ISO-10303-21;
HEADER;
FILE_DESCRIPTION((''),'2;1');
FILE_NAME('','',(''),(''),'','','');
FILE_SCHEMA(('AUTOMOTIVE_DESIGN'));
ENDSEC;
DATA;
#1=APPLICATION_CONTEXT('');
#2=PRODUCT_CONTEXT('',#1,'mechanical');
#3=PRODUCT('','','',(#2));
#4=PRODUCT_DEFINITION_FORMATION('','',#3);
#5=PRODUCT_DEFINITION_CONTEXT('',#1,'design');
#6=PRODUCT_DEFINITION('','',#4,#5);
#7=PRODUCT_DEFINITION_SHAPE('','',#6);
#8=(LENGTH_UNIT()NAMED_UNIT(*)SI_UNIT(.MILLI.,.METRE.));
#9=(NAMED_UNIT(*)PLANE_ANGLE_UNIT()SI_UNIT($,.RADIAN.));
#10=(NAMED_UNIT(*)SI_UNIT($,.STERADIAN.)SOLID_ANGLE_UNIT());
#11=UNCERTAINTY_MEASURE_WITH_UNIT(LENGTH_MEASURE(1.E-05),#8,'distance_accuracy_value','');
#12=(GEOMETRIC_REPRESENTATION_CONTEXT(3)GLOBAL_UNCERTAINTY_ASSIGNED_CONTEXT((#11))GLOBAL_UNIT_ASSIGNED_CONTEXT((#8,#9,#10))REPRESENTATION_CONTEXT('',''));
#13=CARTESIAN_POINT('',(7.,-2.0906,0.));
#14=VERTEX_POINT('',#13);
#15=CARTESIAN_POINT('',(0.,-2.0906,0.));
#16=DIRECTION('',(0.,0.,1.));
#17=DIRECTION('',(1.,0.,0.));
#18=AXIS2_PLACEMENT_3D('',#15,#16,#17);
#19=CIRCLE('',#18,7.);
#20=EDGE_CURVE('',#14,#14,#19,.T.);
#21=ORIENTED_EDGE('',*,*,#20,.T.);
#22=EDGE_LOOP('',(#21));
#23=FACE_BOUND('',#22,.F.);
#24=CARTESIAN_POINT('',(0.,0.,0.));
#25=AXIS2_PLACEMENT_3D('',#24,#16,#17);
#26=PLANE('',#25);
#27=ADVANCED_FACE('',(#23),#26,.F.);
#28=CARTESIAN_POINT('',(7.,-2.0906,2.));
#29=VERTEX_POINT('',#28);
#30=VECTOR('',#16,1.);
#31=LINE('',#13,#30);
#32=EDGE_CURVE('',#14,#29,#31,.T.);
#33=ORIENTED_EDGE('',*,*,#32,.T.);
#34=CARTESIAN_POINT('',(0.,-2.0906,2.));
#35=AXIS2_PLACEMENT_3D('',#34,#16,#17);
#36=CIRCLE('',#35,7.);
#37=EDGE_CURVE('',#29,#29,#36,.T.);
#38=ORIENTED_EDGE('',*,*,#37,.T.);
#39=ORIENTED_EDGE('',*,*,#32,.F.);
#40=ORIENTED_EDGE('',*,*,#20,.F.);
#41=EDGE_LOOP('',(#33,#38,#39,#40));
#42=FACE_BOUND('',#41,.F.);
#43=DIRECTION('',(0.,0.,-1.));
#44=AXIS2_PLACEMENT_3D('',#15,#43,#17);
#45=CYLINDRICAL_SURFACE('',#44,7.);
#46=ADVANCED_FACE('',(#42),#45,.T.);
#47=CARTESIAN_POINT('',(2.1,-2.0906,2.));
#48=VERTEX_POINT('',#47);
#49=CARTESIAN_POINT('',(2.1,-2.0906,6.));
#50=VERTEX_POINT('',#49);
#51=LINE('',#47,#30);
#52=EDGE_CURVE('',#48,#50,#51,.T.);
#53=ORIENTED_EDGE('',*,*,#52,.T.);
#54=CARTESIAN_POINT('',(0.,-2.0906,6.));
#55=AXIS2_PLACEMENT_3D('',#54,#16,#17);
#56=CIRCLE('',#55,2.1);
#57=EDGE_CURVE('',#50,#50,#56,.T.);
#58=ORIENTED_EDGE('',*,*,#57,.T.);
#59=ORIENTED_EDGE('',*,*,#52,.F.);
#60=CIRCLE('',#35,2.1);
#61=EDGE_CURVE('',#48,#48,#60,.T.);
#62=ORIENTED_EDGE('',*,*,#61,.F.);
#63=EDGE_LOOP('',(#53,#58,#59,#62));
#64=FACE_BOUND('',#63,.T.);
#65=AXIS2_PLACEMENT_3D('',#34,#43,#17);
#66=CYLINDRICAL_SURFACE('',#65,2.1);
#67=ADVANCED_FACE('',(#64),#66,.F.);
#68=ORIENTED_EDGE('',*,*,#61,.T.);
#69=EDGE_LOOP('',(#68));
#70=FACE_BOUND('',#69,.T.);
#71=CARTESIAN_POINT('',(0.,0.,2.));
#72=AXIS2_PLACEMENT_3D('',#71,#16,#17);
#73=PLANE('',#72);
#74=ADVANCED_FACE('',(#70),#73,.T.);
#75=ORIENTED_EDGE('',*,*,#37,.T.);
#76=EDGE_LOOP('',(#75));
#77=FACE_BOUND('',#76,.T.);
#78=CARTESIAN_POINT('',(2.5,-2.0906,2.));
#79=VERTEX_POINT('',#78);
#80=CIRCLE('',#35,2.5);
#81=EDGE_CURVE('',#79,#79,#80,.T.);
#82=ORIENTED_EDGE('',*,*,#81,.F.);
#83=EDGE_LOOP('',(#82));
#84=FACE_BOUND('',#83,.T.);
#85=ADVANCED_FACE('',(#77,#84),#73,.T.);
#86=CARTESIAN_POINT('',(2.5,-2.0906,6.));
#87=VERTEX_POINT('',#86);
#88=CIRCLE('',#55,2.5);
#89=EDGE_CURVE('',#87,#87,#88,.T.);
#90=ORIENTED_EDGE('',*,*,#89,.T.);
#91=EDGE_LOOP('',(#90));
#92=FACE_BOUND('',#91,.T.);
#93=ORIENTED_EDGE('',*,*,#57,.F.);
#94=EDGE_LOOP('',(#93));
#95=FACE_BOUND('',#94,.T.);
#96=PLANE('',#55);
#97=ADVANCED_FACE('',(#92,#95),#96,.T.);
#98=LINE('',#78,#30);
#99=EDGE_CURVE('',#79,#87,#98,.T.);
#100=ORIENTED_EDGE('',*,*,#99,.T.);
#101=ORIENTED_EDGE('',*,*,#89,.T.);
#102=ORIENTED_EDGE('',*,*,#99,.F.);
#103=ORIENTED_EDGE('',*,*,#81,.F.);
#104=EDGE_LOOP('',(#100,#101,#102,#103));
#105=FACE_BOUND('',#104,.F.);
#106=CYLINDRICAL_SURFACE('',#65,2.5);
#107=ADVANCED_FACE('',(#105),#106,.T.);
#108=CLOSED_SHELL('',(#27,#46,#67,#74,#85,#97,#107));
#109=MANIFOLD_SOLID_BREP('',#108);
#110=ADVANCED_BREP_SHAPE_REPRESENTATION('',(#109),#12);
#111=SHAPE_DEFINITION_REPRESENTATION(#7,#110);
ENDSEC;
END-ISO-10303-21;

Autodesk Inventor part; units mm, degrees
ref_plane "YZ Plane" through (0, 0, 0) normal (1, 0, 0) x (0, 1, 0)
ref_plane "XZ Plane" through (0, 0, 0) normal (0, 1, 0) x (-1, 0, 0)
ref_plane "XY Plane" through (0, 0, 0) normal (0, 0, 1) x (1, 0, 0)
sketch "Esquisse1" plane through (0, 0, 0) normal (0, 0, 1) x (1, 0, 0)
  circle A0 centre (0, -2.0906) radius 7
  point P0 (0, 0)
  dimension "d0" = 14
extrude "Extrusion1" add sketch "Esquisse1" along normal blind 2
sketch "Esquisse2" plane through (0, -2.0906, 2) normal (0, 0, 1) x (1, 0, 0)
  circle A0 centre (0, 0) radius 2.1
  circle A1 centre (0, 0) radius 2.5
  point P0 (0, 2.0906)
  dimension "d3" = 4.2
  dimension "d4" = 5
extrude "Extrusion2" add sketch "Esquisse2" along normal blind 4
properties part number "ajust_plaque"
